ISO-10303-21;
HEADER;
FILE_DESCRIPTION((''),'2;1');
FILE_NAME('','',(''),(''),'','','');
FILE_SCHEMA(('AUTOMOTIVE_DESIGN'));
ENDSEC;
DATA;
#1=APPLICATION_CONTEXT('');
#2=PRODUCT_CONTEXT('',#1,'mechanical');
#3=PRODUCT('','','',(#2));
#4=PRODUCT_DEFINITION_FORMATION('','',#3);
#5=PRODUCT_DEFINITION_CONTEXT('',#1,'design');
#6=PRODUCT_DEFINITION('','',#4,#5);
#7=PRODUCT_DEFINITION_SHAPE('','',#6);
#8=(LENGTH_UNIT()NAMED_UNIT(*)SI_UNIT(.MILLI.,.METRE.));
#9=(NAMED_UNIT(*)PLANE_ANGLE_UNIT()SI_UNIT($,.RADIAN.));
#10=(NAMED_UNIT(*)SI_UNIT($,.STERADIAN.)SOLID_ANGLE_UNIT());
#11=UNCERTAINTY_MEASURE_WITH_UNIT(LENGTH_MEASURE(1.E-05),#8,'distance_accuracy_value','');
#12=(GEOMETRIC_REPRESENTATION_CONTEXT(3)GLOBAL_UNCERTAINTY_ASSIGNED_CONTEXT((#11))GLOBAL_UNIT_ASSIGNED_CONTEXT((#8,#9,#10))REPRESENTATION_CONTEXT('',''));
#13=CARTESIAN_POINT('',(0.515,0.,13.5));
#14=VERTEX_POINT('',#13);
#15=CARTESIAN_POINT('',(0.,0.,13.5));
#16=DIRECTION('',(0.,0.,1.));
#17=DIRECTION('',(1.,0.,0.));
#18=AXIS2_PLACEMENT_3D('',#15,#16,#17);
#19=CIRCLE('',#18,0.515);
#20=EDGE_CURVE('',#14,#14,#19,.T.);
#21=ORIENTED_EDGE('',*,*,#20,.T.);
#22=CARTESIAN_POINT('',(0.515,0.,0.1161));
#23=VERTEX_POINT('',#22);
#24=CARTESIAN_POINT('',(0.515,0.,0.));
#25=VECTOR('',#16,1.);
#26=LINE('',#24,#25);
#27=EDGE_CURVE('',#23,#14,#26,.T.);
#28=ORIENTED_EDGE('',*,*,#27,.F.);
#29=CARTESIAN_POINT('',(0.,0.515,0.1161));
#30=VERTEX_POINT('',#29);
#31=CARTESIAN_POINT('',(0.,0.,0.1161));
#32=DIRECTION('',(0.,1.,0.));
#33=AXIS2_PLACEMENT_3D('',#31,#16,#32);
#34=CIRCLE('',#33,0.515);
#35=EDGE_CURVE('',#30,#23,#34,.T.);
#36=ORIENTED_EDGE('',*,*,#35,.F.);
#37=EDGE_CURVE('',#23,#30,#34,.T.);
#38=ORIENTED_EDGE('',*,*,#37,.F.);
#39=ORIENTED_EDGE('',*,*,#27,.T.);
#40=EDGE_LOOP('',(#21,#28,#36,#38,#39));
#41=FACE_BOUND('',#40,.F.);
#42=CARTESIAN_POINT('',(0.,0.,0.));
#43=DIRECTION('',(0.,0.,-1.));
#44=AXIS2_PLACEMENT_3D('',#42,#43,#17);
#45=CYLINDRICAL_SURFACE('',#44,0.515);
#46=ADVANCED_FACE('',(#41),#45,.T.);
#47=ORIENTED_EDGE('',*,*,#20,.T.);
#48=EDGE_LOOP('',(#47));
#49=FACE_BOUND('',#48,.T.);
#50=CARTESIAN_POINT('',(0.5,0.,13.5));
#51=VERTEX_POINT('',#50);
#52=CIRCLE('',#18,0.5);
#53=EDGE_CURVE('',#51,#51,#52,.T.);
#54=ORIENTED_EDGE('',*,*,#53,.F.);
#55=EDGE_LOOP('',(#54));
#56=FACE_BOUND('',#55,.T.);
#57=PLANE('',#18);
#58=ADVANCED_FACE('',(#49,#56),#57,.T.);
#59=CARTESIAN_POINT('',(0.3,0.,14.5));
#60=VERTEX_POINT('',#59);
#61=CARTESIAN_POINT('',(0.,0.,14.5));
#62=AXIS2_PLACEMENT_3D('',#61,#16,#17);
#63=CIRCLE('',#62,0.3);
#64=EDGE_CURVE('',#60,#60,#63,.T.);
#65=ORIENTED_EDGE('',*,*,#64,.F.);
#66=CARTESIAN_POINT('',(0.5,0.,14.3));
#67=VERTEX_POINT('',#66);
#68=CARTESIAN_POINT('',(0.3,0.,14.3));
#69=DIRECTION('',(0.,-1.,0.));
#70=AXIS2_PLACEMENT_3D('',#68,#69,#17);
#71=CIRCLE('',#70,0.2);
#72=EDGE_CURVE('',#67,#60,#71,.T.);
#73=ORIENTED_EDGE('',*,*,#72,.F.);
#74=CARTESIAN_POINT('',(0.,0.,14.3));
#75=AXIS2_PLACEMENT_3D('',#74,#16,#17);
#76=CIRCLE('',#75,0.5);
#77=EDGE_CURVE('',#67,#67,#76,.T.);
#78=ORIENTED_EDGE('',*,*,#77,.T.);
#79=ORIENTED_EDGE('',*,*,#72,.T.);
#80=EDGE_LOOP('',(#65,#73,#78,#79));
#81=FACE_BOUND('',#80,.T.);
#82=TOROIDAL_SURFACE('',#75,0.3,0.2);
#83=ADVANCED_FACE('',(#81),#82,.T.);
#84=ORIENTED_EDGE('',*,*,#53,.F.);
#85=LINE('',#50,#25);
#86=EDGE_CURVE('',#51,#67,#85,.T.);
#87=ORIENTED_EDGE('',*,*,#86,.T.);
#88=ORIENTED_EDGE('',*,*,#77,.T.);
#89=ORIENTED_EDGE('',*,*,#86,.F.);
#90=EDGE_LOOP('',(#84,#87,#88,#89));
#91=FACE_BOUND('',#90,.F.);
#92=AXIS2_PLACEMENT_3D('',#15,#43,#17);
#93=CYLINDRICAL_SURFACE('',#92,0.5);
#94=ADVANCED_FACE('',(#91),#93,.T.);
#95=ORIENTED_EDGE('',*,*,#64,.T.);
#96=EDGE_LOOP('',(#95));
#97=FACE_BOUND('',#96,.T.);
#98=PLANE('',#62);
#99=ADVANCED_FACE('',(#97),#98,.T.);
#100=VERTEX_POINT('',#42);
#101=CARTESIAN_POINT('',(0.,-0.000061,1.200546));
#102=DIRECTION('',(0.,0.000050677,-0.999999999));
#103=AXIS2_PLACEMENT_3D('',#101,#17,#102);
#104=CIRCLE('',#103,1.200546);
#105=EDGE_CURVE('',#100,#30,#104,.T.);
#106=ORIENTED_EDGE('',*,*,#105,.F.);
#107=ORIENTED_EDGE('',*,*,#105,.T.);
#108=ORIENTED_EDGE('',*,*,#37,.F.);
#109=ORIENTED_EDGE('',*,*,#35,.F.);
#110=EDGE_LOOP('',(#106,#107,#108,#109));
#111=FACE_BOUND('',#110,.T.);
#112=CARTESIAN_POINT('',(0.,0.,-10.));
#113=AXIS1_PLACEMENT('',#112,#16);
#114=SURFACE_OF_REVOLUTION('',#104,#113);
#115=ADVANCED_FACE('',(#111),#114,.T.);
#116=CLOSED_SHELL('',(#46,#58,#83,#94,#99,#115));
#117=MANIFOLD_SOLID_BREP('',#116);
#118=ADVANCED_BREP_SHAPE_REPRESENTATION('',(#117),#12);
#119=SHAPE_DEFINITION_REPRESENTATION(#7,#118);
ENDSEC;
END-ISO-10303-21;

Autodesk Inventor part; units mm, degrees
ref_plane "YZ Plane" through (0, 0, 0) normal (1, 0, 0) x (0, 1, 0)
ref_plane "XZ Plane" through (0, 0, 0) normal (0, 1, 0) x (-1, 0, 0)
sketch "Sketch1" plane through (0, 0, 0) normal (0, 0, 1) x (1, 0, 0)
  circle A0 centre (0, 0) radius 0.515
  dimension "d0" = 1.03
extrude "Extrusion1" add sketch "Sketch1" along normal blind 13.5
thread "Thread1" size "110-102 UNM" class "2A" standard "ANSI Unified Screw Threads" full length
sketch "Sketch2" plane through (0, 0, 0) normal (1, 0, 0) x (0, 1, 0)
  line L0 (-0.515, 13.5) -> (0.515, 13.5) projected
  line L1 (-0.515, 0) -> (-0.515, 13.5) projected
  line L2 (0.515, 0) -> (0.515, 13.5) projected
  arc A0 (0, 0) -> (0.515, 0.1161) centre (0, 1.2) ccw
  line L3 (-0.515, 0) -> (0.515, 0) projected
  line L4 (0.515, 0.1161) -> (0.515, 0)
  line L5 (0, 0) -> (0.515, 0)
  line L6 (0, -2.9344) -> (0, 17.4057) projected
  point P0 (0, 0)
  point P1 (0, 0)
revolve "Revolution1" cut sketch "Sketch2" angle 360 about axis through (0, 0, -10) along (0, 0, 1) contours A0 L2 L3
ref_plane "Work Plane3" through (0, 0, 6.75) normal (0, 0, 1) x (1, 0, 0)
mirror "Mirror1" [suppressed]
ref_plane "Work Plane4" through (0, 0, 13.5) normal (0, 0, 1) x (1, 0, 0)
sketch "Sketch3" plane through (0, 0, 13.5) normal (0, 0, 1) x (1, 0, 0)
  circle A0 centre (0, 0) radius 0.5
  circle A1 centre (0, 0) radius 0.515 projected
  dimension "d12" = 1
extrude "Extrusion2" [suppressed]
sketch "Sketch4" plane through (0, 0, 13.5) normal (0, 0, 1) x (1, 0, 0)
  circle A0 centre (0, 0) radius 0.5
  dimension "d15" = 1
extrude "Extrusion3" add sketch "Sketch4" along normal blind 1
fillet "Fillet1" radius 0.2 1 edges at (-0.5, 0, 14.5)
equation "\"d10\" = 0.5 * d1"
equation "\"d11\" = d1"
equation "\"d1\" = 13.5"
properties part number "MU_Motor_Thread_Modified" material "Brass, Soft Yellow"
